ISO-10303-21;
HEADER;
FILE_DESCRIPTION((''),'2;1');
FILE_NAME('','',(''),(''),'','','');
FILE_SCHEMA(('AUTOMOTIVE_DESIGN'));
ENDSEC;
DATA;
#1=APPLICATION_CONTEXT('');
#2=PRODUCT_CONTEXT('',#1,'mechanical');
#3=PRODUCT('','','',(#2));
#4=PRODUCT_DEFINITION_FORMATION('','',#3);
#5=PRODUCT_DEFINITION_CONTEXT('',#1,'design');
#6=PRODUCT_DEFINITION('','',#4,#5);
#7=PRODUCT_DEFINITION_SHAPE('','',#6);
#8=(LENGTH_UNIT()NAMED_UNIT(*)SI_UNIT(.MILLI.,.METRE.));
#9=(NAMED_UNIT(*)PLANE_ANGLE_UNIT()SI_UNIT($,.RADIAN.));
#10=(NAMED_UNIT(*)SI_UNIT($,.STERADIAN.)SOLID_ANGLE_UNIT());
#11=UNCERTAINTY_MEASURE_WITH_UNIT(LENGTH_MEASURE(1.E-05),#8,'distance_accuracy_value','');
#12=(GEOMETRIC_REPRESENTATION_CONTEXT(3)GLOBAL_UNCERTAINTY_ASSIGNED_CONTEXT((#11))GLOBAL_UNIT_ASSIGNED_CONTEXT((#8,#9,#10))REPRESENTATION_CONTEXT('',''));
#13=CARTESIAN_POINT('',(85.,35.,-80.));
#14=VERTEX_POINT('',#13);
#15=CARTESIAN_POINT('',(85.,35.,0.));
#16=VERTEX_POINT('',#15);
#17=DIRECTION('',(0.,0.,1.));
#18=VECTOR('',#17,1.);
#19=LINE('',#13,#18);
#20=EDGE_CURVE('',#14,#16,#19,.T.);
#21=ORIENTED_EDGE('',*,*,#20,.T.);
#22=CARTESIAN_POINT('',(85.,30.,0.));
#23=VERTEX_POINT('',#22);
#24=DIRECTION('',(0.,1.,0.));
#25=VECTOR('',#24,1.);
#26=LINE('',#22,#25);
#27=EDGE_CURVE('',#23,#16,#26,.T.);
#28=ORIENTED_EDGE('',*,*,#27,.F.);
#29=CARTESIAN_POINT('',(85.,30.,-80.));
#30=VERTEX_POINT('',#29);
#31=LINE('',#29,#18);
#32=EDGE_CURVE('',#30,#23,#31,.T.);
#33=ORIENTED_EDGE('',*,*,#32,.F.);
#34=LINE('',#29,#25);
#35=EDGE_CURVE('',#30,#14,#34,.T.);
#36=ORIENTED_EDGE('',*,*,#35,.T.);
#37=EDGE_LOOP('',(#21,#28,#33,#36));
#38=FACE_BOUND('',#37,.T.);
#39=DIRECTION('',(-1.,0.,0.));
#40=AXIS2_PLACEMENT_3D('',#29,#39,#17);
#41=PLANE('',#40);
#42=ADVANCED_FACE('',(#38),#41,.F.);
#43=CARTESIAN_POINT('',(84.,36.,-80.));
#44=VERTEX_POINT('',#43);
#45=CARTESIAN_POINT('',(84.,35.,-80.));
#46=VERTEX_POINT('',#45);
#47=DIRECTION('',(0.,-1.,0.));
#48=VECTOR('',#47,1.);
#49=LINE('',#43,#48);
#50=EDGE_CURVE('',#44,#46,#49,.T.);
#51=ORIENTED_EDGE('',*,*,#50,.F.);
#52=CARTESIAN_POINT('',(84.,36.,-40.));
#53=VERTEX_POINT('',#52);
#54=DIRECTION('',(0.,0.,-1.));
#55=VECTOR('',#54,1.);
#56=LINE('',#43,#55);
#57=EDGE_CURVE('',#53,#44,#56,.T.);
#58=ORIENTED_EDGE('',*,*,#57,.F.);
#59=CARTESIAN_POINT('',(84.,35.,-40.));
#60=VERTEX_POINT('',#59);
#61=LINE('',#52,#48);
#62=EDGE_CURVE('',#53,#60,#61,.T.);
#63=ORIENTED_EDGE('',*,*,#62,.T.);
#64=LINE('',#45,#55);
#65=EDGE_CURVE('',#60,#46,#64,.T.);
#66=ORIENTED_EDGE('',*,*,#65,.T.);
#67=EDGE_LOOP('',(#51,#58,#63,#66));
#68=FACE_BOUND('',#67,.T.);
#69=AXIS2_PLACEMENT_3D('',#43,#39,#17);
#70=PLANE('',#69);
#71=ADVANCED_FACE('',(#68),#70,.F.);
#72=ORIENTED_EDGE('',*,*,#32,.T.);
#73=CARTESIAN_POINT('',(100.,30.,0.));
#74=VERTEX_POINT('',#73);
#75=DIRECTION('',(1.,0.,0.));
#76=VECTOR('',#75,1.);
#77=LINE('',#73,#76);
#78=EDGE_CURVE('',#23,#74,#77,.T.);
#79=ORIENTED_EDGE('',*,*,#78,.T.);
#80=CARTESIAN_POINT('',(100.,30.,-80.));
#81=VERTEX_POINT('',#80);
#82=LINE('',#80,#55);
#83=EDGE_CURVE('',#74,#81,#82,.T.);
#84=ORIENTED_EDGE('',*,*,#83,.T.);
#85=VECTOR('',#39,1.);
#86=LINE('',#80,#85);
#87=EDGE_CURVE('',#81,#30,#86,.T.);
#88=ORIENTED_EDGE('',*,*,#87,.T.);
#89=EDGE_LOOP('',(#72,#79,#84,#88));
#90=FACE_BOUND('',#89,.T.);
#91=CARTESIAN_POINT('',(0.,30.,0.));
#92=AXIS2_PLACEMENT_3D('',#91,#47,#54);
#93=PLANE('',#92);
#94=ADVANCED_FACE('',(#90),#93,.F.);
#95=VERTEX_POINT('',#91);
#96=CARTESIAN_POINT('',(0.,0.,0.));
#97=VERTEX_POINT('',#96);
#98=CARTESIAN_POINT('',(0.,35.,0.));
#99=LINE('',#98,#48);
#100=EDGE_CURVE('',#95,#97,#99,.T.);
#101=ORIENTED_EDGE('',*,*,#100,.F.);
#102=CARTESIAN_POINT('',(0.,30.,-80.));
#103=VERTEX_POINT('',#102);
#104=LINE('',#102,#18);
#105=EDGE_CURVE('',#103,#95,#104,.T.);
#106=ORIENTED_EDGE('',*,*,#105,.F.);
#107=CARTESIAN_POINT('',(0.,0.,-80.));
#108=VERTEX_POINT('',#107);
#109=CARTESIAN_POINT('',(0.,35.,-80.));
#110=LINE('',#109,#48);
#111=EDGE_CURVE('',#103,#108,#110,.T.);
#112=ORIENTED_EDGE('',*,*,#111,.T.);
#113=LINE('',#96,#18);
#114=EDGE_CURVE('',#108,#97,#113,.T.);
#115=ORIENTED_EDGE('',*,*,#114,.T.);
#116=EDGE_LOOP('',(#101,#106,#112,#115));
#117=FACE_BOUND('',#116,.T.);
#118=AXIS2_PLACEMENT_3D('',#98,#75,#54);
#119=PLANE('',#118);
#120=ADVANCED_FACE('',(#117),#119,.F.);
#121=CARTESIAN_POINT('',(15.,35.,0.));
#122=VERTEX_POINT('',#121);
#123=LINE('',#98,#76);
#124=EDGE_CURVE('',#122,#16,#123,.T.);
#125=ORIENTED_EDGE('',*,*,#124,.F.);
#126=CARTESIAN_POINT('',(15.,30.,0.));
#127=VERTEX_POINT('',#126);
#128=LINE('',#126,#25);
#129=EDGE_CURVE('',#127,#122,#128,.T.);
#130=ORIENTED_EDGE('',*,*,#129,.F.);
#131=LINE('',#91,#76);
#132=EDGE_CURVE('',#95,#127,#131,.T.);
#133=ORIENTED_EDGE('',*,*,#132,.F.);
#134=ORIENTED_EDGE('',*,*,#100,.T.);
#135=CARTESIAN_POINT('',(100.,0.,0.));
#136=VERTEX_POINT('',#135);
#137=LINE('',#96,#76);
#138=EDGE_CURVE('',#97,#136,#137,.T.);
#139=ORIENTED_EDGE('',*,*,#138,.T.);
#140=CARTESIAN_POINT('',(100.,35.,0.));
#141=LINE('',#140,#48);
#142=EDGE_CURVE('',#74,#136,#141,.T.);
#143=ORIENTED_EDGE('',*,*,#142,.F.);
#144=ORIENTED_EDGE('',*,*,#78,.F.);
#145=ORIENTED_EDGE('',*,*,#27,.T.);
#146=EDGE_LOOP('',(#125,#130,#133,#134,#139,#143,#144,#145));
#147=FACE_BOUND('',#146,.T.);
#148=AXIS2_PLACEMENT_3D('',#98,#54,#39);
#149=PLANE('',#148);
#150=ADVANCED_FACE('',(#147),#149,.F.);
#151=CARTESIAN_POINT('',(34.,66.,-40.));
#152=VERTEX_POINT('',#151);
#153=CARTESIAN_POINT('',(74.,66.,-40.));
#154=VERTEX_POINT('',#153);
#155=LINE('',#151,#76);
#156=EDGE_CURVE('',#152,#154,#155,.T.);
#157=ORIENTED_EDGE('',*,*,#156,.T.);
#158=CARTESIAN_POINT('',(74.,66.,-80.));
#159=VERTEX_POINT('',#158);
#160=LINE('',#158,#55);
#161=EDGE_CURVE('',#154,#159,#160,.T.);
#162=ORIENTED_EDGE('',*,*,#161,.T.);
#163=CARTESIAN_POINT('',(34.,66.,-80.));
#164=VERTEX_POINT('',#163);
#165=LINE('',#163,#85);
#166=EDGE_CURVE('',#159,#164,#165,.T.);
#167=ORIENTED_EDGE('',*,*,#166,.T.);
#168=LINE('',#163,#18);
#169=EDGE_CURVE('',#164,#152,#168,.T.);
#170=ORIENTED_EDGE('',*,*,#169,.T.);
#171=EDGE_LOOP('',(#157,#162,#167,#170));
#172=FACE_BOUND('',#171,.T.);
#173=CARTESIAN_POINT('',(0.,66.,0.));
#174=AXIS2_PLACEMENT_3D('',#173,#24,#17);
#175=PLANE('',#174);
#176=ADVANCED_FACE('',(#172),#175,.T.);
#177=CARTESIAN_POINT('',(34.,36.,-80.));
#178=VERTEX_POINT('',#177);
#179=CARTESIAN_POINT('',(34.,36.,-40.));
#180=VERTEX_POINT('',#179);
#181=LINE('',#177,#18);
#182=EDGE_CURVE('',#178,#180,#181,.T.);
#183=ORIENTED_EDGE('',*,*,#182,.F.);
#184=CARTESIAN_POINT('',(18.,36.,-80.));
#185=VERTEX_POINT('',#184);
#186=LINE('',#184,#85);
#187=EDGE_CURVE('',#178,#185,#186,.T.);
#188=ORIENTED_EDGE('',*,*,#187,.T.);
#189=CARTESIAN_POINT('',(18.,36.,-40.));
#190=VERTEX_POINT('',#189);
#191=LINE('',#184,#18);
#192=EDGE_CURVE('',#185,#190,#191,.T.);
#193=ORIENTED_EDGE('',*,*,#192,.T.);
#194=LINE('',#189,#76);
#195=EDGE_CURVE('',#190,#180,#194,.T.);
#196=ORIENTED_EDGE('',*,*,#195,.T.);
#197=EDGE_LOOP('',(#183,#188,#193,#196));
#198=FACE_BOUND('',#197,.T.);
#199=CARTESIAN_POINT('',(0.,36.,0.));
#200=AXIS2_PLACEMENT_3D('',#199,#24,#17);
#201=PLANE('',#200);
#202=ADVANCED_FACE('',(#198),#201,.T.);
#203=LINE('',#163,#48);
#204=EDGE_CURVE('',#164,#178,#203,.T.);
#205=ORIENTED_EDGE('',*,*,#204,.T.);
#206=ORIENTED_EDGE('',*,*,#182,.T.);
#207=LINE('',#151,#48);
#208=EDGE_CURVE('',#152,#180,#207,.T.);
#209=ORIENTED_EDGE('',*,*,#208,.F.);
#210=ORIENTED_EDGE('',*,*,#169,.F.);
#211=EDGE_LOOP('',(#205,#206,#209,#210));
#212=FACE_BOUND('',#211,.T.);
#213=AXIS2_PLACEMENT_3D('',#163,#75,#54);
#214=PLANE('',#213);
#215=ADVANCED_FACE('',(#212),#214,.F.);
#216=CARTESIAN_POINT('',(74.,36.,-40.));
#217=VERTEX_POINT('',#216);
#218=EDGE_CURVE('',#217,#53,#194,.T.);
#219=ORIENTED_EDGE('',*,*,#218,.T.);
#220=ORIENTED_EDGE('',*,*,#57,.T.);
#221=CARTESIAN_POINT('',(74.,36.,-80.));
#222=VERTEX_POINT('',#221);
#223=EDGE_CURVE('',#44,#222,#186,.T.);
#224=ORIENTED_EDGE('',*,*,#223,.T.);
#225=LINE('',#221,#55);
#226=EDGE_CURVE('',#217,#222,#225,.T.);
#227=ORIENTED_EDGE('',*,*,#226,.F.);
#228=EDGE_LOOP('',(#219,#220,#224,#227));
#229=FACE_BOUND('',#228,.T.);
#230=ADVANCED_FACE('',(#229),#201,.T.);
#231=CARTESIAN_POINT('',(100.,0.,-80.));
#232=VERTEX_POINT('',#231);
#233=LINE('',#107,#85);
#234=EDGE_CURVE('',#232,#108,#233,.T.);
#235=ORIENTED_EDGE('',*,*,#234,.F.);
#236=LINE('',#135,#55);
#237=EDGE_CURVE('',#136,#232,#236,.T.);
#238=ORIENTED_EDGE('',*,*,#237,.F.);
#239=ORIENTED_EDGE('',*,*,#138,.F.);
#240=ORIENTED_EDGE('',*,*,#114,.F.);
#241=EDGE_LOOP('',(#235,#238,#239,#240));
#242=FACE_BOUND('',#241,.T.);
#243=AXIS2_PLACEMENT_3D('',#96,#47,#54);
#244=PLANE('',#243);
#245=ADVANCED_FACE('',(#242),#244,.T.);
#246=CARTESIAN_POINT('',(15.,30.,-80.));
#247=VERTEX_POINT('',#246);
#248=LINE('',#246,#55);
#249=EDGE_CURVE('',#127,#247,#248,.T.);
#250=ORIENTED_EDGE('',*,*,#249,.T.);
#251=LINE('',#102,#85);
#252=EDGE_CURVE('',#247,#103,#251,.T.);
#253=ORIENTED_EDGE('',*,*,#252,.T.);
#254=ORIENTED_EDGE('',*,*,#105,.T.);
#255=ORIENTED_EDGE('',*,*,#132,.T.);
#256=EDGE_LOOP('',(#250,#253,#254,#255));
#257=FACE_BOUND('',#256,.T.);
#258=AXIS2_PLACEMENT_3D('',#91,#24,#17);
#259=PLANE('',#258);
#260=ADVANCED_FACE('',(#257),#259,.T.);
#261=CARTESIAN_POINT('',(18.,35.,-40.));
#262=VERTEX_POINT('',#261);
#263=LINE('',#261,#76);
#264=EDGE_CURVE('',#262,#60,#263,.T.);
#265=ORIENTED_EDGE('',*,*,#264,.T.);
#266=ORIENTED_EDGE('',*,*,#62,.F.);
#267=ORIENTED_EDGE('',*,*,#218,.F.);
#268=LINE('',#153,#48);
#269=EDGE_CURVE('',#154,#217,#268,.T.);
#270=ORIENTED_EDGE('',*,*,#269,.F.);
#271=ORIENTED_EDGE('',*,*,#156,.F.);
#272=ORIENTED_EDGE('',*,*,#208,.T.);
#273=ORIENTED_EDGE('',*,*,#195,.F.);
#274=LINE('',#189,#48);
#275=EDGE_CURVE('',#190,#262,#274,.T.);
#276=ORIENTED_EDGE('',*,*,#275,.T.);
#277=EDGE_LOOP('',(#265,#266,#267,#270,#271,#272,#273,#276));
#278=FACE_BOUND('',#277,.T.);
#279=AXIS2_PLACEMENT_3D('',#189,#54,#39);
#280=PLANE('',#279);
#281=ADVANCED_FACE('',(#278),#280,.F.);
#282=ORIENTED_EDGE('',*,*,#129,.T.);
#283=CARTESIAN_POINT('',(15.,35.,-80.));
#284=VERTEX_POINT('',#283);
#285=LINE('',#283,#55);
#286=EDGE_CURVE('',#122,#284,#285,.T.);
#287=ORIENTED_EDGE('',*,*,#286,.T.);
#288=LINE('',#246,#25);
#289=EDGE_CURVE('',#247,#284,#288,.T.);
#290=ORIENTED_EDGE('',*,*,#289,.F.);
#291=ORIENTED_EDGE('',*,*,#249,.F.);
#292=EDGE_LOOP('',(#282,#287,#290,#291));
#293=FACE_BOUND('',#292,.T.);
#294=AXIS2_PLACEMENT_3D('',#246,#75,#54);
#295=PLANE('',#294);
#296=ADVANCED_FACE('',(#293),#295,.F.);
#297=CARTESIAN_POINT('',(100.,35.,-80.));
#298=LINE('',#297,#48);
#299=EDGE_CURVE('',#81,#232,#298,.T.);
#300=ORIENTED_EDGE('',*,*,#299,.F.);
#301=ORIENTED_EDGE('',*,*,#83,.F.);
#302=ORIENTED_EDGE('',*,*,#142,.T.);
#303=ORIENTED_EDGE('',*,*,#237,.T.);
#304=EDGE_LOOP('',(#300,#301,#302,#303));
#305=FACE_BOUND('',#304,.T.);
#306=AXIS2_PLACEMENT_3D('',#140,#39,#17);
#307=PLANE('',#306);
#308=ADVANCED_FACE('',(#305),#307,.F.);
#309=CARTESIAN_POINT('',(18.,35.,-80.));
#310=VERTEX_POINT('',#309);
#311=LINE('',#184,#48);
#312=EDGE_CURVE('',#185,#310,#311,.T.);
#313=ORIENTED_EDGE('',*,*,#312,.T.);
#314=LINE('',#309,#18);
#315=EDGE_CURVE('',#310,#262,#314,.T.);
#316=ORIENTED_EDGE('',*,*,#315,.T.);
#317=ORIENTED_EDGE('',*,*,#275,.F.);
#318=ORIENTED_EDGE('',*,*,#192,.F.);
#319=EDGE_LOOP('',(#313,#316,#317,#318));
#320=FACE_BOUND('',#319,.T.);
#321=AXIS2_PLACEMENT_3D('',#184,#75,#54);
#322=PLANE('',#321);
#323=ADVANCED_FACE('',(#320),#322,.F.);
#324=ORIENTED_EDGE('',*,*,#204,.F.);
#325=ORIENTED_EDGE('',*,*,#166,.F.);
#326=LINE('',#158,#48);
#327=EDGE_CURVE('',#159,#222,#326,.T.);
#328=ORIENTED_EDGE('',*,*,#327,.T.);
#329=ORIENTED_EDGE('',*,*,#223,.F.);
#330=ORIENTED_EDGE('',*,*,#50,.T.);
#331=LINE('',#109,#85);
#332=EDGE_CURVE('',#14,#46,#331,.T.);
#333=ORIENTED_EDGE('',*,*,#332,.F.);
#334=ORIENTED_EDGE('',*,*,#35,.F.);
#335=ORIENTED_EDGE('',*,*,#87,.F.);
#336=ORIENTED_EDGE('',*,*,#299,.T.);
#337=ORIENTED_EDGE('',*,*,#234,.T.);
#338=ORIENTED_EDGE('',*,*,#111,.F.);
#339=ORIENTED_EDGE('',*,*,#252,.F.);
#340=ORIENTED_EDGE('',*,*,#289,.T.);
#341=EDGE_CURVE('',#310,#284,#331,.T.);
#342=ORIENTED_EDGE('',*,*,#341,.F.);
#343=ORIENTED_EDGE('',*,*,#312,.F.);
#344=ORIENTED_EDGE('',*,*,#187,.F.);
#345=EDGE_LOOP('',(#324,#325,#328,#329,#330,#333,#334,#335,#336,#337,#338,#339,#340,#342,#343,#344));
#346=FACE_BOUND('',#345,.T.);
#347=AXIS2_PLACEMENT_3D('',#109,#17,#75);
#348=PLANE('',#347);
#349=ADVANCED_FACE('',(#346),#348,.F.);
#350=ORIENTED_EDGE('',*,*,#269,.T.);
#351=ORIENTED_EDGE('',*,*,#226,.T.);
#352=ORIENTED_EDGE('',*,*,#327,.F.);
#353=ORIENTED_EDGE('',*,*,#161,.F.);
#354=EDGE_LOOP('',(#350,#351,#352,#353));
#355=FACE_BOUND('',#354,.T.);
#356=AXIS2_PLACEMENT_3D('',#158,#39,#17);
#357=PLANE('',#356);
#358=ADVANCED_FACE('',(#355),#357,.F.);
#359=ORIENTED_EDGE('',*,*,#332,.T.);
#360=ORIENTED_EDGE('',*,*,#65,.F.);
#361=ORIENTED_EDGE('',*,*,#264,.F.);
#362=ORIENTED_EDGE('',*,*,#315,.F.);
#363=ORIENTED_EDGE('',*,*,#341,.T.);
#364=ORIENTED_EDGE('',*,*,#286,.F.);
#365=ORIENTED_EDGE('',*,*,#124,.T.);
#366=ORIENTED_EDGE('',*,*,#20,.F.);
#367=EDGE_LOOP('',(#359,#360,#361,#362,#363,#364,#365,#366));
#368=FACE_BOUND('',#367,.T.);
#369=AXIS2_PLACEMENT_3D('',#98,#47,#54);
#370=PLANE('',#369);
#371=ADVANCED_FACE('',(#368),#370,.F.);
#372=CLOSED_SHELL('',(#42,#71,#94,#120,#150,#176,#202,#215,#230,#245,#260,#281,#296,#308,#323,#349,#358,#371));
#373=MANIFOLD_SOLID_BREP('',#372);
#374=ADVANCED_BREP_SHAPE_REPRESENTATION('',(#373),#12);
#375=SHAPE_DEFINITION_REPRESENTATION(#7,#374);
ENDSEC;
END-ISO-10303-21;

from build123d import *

# Parameters (mm, degrees)
SKETCH_1_W          = 100
SKETCH_1_H          = 80
EXTRUDE_1_DEPTH     = 35
SKETCH_2_W          = 66
SKETCH_2_H          = 40
EXTRUDE_2_DEPTH     = 1
SKETCH_3_W          = 40
SKETCH_3_H          = 40
EXTRUDE_3_DEPTH     = 30
SKETCH_4_W          = 15
SKETCH_4_H          = 80
CUT_EXTRUDE_1_DEPTH = 5


with BuildPart() as part:
    # 草图1 → 凸台-拉伸1 (new body)
    with BuildSketch(Plane(origin=(0, 0, 0), x_dir=(1, 0, 0), z_dir=(0, 1, 0))):
        with Locations((50, 40)):
            Rectangle(SKETCH_1_W, SKETCH_1_H)
    extrude(amount=EXTRUDE_1_DEPTH)

    # 草图2 → 凸台-拉伸2 (add)
    with BuildSketch(Plane(origin=(0, 35, 0), x_dir=(1, 0, 0), z_dir=(0, 1, 0))):
        with Locations((51, 60)):
            Rectangle(SKETCH_2_W, SKETCH_2_H)
    extrude(amount=EXTRUDE_2_DEPTH)

    # 草图3 → 凸台-拉伸3 (add)
    with BuildSketch(Plane(origin=(0, 36, 0), x_dir=(1, 0, 0), z_dir=(0, 1, 0))):
        with Locations((54, 60)):
            Rectangle(SKETCH_3_W, SKETCH_3_H)
    extrude(amount=EXTRUDE_3_DEPTH)

    # 草图4 → 切除-拉伸1 (cut)
    with BuildSketch(Plane(origin=(0, 35, 0), x_dir=(1, 0, 0), z_dir=(0, 1, 0))):
        with Locations((7.5, 40)):
            Rectangle(SKETCH_4_W, SKETCH_4_H)
        with Locations((92.5, 40)):
            Rectangle(SKETCH_4_W, SKETCH_4_H)
    extrude(amount=-CUT_EXTRUDE_1_DEPTH, mode=Mode.SUBTRACT)


solid = part.part
